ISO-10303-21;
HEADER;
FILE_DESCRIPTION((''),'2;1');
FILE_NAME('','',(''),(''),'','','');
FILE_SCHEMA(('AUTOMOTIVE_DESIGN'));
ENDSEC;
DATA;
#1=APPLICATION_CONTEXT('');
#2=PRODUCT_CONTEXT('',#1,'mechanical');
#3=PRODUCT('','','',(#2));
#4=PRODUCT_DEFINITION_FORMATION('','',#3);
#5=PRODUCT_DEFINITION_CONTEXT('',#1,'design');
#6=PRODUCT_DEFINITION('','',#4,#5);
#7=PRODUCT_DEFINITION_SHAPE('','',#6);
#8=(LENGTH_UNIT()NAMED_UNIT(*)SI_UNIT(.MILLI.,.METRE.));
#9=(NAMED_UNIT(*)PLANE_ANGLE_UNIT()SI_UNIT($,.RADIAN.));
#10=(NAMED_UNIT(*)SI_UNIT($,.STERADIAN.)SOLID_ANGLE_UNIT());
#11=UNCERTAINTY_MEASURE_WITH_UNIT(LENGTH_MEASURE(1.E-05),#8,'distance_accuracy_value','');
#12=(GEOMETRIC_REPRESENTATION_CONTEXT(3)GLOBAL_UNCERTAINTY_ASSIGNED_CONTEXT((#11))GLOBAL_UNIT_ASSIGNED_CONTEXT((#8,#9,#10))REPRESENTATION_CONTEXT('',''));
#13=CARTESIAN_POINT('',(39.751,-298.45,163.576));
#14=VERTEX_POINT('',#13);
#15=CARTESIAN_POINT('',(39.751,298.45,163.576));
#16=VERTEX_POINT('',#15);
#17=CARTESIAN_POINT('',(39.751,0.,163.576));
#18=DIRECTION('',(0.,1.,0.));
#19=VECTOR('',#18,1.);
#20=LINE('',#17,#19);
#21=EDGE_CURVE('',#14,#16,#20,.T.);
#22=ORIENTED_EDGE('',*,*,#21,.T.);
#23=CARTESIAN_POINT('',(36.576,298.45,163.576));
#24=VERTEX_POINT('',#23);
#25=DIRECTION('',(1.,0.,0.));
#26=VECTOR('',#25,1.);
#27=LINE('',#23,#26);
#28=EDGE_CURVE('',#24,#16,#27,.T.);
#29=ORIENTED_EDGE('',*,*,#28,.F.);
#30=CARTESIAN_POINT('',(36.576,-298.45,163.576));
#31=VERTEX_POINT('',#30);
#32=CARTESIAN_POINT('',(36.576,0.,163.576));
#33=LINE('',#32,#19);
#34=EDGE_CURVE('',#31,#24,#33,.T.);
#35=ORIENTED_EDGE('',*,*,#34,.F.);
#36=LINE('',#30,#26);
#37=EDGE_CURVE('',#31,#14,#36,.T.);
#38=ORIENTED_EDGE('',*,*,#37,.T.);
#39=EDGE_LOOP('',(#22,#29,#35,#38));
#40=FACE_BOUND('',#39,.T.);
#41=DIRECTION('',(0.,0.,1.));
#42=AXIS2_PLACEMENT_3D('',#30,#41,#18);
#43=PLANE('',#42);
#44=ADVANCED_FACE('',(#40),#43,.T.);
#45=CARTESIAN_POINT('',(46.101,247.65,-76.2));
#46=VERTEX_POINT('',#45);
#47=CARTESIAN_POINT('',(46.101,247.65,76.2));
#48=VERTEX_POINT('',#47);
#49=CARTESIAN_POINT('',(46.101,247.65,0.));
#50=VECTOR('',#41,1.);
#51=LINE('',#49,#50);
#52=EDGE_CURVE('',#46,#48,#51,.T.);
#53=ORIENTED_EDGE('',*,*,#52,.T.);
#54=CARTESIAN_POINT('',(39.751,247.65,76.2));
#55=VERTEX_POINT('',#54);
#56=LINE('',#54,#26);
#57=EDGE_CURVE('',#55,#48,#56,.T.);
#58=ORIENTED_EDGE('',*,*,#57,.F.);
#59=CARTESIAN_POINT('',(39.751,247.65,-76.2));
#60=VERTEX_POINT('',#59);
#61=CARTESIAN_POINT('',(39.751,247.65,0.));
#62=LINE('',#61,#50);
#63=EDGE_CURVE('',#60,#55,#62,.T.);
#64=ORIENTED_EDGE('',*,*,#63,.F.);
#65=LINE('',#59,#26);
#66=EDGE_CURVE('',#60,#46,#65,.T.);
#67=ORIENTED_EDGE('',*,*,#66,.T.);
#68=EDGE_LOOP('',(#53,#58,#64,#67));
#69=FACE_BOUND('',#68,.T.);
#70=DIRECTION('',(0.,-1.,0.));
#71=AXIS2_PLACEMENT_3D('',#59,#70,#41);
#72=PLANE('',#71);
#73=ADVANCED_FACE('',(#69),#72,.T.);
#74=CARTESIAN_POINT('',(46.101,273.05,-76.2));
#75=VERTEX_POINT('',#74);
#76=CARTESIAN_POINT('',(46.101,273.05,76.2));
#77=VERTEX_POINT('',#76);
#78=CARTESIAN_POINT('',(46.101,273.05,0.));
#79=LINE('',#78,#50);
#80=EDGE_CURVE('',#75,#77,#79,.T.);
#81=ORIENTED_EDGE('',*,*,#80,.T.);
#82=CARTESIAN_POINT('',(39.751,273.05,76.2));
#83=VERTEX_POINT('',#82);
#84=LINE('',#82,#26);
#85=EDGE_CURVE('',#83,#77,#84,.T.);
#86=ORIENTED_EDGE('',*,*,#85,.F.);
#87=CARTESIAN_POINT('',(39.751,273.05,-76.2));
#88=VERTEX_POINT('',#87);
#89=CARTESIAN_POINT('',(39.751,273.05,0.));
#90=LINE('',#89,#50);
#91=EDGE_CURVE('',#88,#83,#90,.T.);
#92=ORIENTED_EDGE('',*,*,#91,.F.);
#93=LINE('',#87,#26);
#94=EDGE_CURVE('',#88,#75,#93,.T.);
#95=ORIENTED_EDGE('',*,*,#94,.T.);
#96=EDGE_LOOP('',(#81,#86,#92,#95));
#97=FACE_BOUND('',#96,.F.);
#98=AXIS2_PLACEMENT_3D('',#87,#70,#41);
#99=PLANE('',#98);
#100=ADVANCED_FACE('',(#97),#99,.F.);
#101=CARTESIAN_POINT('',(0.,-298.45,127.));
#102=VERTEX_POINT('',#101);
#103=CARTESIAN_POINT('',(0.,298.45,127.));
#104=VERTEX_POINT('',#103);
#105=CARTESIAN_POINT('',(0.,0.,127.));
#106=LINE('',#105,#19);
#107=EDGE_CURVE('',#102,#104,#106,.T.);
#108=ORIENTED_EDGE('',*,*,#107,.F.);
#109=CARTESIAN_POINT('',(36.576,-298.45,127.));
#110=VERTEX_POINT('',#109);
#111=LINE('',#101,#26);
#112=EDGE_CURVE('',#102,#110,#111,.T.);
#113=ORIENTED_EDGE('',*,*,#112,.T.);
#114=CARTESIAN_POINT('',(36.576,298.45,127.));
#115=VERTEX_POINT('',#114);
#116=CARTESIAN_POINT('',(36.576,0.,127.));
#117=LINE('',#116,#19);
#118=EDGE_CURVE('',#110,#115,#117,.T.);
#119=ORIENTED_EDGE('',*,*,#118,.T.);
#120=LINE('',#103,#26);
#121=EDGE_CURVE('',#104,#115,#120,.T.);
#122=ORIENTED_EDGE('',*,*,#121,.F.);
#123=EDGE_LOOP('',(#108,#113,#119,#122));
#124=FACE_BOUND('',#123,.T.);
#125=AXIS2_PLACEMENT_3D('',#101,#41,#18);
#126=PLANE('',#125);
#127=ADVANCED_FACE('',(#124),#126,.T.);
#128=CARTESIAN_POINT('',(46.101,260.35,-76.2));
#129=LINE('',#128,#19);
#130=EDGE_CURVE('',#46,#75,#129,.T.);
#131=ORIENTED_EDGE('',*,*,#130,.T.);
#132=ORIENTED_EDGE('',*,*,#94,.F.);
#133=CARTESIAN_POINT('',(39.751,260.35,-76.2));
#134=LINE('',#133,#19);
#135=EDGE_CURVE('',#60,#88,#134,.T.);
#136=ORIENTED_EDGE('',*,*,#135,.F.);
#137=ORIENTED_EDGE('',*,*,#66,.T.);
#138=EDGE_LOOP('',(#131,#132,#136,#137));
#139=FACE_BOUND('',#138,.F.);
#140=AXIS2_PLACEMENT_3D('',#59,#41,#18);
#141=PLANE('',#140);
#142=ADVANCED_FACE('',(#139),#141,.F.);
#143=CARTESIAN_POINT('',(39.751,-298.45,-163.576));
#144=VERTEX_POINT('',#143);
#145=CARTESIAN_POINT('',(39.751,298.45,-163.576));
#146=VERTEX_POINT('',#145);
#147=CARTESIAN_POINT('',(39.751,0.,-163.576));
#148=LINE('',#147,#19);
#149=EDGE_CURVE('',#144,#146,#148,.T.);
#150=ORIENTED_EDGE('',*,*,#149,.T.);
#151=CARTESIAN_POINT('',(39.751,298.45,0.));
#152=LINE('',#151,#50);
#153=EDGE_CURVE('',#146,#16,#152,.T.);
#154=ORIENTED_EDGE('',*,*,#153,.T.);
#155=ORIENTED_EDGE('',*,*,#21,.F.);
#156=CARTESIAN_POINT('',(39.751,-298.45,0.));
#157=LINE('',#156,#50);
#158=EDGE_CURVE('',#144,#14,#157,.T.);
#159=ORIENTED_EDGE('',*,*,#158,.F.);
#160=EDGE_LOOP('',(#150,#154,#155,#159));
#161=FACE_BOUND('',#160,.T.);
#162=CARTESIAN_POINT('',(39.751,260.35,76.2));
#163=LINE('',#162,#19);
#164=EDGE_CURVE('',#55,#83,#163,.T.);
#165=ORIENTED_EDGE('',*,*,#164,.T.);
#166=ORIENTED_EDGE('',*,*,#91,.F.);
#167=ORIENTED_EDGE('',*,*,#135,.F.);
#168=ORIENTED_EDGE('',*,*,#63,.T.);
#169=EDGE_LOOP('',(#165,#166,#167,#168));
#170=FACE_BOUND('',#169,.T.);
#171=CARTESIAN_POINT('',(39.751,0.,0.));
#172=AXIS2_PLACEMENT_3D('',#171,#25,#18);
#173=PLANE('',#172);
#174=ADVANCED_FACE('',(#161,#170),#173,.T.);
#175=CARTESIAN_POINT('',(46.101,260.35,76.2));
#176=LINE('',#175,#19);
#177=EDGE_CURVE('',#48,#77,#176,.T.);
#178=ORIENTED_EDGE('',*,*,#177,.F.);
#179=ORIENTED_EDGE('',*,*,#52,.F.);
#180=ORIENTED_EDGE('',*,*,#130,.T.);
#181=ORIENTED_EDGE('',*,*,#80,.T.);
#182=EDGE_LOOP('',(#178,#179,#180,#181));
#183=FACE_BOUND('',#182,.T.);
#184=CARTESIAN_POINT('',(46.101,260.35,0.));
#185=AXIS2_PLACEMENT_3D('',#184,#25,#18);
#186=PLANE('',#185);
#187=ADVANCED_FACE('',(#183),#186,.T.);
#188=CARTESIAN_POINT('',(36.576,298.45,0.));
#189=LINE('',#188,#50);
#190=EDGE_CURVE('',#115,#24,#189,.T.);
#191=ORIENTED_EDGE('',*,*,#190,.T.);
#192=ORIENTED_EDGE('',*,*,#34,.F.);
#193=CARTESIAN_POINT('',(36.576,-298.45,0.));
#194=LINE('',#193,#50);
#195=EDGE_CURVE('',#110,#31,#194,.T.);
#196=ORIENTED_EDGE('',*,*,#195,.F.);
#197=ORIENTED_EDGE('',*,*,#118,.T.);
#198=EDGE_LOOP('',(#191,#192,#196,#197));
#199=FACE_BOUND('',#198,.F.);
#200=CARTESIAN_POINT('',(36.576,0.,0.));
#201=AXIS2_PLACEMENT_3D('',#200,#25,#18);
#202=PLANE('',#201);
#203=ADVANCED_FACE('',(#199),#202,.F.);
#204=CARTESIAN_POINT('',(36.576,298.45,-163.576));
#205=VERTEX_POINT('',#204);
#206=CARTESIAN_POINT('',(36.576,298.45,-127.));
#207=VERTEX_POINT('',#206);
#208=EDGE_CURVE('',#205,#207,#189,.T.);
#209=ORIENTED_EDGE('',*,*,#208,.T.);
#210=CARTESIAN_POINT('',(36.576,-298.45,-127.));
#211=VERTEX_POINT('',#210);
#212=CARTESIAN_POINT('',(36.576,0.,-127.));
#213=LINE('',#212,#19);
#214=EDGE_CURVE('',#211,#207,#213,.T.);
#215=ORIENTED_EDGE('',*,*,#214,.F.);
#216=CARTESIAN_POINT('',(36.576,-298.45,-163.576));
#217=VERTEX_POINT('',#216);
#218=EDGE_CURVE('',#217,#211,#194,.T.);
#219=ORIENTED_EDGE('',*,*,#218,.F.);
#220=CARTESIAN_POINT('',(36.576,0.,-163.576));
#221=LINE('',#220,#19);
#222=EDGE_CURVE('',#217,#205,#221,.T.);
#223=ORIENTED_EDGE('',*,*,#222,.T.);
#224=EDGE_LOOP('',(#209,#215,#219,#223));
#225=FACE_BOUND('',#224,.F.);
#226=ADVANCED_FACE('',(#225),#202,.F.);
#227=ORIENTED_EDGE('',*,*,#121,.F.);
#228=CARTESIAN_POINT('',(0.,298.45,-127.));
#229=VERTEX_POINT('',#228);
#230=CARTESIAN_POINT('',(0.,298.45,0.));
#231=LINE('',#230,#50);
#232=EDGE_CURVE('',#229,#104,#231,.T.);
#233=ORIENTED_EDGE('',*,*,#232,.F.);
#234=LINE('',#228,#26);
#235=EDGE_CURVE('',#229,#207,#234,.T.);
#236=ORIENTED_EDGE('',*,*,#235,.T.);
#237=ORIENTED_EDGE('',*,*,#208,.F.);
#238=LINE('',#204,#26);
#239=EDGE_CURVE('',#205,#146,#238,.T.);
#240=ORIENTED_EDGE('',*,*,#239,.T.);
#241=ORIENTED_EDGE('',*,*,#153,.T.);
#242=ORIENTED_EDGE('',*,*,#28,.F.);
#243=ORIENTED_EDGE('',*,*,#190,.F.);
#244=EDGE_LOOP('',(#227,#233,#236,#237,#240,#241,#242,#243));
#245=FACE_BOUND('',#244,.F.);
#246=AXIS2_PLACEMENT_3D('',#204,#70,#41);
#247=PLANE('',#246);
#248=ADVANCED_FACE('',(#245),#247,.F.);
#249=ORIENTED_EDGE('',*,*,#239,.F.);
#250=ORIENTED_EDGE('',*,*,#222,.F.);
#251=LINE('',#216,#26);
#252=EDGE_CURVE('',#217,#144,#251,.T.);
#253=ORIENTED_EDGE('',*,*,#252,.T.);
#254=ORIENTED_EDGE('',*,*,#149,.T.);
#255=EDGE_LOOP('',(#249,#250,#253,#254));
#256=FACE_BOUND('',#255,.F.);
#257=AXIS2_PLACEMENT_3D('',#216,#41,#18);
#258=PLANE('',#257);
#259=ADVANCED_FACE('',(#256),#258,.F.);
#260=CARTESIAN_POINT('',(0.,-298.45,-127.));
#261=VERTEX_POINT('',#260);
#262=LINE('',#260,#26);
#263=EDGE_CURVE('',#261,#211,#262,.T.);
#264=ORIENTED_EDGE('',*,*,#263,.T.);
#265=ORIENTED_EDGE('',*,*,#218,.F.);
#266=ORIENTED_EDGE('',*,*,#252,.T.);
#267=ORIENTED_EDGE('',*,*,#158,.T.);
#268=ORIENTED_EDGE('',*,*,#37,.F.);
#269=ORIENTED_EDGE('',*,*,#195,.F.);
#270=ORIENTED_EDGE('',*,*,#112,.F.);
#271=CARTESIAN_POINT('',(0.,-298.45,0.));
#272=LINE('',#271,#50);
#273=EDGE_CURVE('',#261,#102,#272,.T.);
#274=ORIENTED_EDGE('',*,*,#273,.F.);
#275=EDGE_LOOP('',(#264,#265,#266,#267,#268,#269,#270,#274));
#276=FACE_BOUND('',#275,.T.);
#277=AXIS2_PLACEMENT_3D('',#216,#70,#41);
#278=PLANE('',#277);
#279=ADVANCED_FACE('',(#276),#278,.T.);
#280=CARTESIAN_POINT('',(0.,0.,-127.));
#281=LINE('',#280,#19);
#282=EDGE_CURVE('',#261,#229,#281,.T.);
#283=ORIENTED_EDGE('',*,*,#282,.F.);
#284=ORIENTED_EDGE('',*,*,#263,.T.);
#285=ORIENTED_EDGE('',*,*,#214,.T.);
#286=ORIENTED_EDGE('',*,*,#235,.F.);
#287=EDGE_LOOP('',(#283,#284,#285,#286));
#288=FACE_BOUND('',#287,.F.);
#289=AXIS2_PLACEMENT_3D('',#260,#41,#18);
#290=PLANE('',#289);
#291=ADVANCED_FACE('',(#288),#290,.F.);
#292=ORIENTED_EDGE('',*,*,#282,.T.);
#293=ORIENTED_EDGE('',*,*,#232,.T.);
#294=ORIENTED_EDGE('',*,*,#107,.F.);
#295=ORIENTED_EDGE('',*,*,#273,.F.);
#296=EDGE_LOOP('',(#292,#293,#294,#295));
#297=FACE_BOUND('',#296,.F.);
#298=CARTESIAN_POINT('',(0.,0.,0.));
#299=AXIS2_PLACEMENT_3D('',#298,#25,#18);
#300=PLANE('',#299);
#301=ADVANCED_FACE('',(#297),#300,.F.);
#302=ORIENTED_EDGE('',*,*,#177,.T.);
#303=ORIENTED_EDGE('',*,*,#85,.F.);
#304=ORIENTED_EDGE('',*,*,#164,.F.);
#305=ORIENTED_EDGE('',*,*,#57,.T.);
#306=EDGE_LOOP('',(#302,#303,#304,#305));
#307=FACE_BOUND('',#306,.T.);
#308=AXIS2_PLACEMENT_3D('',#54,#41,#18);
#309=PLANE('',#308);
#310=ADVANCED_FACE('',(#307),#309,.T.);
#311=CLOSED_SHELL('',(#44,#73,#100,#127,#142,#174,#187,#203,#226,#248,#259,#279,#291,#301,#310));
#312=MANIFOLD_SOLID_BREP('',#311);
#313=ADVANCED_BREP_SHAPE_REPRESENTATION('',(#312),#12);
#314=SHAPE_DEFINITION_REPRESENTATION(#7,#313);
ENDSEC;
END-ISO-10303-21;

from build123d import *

# Parameters (mm, degrees)
F0_W     = 596.9
F0_H     = 254
F1_DEPTH = 36.576
F2_W     = 596.9
F2_H     = 327.152
F3_DEPTH = 3.175
F4_W     = 25.4
F4_H     = 152.4
F5_DEPTH = 6.35


with BuildPart() as f1:
    # F0 (on Right) → F1 (new body)
    with BuildSketch(Plane.YZ):
        Rectangle(F0_W, F0_H)
    extrude(amount=F1_DEPTH)

    # F2 (on face) → F3 (join)
    with BuildSketch(Plane.YZ.offset(36.576)):
        Rectangle(F2_W, F2_H)
    extrude(amount=F3_DEPTH)

    # F4 (on face) → F5 (join)
    with BuildSketch(Plane.YZ.offset(39.751)):
        with Locations((260.35, 0)):
            Rectangle(F4_W, F4_H)
    extrude(amount=F5_DEPTH)


solid = f1.part
